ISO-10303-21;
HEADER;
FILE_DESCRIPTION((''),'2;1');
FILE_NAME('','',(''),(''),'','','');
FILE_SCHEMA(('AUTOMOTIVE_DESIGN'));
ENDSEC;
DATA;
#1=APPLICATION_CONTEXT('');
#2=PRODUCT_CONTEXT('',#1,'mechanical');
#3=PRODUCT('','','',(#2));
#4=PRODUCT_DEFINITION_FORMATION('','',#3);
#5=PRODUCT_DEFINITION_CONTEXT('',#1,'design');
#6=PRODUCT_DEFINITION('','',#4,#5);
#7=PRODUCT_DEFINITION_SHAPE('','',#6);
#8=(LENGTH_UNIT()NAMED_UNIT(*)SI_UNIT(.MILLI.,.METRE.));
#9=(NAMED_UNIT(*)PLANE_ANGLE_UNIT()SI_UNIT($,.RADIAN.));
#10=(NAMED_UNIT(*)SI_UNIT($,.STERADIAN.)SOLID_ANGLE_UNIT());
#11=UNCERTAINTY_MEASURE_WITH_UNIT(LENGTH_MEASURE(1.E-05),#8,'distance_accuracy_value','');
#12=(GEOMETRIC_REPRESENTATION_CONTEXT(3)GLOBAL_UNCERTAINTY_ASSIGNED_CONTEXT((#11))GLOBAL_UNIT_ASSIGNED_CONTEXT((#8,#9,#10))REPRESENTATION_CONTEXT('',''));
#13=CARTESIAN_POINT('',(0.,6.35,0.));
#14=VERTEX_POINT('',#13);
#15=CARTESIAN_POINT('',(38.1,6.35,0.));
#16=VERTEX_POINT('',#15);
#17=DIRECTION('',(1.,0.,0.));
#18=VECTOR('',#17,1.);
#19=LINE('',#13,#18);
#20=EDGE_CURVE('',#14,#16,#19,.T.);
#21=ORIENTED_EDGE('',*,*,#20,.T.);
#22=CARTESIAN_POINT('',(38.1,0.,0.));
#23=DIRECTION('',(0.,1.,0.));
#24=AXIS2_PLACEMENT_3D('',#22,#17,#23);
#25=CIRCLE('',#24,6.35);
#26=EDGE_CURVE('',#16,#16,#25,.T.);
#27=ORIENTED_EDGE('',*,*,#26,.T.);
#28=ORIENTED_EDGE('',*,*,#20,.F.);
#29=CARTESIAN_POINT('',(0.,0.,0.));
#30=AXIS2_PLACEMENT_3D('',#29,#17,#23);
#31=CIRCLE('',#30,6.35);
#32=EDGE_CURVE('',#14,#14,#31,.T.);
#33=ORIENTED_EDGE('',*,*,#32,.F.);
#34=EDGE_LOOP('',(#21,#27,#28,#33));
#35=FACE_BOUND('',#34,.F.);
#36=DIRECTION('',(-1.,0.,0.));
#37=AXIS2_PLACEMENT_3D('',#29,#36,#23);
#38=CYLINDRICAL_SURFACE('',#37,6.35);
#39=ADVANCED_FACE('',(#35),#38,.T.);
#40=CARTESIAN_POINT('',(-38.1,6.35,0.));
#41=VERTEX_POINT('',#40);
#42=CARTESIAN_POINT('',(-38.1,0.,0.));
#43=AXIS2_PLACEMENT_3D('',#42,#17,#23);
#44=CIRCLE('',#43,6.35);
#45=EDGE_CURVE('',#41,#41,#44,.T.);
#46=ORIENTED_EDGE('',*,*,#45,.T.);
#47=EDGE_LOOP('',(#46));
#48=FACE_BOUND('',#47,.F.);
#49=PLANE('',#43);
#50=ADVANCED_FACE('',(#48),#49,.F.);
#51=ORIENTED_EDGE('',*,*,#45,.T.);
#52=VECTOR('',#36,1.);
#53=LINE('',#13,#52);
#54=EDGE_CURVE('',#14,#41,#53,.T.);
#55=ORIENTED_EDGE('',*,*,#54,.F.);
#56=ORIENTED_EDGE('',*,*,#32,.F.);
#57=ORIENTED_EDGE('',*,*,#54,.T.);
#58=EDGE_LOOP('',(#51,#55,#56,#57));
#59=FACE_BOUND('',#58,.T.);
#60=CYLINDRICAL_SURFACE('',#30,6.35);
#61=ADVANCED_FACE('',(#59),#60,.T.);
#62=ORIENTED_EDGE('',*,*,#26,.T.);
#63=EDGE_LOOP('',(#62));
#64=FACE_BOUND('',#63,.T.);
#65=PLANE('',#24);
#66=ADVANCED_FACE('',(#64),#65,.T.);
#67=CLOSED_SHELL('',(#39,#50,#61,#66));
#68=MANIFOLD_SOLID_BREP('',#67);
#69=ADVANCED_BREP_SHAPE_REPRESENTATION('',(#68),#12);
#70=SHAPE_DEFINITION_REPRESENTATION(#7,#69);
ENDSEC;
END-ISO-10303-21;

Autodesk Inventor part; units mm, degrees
ref_plane "YZ Plane" through (0, 0, 0) normal (1, 0, 0) x (0, 1, 0)
ref_plane "XZ Plane" through (0, 0, 0) normal (0, 1, 0) x (-1, 0, 0)
ref_plane "XY Plane" through (0, 0, 0) normal (0, 0, 1) x (1, 0, 0)
sketch "Sketch1" plane through (0, 0, 0) normal (1, 0, 0) x (0, 1, 0)
  circle A0 centre (0, 0) radius 6.35
  dimension "d0" = 12.7
extrude "Extrusion1" add sketch "Sketch1" along normal mid plane 76.2
properties part number "outerTubeStopPost" material "Steel"
